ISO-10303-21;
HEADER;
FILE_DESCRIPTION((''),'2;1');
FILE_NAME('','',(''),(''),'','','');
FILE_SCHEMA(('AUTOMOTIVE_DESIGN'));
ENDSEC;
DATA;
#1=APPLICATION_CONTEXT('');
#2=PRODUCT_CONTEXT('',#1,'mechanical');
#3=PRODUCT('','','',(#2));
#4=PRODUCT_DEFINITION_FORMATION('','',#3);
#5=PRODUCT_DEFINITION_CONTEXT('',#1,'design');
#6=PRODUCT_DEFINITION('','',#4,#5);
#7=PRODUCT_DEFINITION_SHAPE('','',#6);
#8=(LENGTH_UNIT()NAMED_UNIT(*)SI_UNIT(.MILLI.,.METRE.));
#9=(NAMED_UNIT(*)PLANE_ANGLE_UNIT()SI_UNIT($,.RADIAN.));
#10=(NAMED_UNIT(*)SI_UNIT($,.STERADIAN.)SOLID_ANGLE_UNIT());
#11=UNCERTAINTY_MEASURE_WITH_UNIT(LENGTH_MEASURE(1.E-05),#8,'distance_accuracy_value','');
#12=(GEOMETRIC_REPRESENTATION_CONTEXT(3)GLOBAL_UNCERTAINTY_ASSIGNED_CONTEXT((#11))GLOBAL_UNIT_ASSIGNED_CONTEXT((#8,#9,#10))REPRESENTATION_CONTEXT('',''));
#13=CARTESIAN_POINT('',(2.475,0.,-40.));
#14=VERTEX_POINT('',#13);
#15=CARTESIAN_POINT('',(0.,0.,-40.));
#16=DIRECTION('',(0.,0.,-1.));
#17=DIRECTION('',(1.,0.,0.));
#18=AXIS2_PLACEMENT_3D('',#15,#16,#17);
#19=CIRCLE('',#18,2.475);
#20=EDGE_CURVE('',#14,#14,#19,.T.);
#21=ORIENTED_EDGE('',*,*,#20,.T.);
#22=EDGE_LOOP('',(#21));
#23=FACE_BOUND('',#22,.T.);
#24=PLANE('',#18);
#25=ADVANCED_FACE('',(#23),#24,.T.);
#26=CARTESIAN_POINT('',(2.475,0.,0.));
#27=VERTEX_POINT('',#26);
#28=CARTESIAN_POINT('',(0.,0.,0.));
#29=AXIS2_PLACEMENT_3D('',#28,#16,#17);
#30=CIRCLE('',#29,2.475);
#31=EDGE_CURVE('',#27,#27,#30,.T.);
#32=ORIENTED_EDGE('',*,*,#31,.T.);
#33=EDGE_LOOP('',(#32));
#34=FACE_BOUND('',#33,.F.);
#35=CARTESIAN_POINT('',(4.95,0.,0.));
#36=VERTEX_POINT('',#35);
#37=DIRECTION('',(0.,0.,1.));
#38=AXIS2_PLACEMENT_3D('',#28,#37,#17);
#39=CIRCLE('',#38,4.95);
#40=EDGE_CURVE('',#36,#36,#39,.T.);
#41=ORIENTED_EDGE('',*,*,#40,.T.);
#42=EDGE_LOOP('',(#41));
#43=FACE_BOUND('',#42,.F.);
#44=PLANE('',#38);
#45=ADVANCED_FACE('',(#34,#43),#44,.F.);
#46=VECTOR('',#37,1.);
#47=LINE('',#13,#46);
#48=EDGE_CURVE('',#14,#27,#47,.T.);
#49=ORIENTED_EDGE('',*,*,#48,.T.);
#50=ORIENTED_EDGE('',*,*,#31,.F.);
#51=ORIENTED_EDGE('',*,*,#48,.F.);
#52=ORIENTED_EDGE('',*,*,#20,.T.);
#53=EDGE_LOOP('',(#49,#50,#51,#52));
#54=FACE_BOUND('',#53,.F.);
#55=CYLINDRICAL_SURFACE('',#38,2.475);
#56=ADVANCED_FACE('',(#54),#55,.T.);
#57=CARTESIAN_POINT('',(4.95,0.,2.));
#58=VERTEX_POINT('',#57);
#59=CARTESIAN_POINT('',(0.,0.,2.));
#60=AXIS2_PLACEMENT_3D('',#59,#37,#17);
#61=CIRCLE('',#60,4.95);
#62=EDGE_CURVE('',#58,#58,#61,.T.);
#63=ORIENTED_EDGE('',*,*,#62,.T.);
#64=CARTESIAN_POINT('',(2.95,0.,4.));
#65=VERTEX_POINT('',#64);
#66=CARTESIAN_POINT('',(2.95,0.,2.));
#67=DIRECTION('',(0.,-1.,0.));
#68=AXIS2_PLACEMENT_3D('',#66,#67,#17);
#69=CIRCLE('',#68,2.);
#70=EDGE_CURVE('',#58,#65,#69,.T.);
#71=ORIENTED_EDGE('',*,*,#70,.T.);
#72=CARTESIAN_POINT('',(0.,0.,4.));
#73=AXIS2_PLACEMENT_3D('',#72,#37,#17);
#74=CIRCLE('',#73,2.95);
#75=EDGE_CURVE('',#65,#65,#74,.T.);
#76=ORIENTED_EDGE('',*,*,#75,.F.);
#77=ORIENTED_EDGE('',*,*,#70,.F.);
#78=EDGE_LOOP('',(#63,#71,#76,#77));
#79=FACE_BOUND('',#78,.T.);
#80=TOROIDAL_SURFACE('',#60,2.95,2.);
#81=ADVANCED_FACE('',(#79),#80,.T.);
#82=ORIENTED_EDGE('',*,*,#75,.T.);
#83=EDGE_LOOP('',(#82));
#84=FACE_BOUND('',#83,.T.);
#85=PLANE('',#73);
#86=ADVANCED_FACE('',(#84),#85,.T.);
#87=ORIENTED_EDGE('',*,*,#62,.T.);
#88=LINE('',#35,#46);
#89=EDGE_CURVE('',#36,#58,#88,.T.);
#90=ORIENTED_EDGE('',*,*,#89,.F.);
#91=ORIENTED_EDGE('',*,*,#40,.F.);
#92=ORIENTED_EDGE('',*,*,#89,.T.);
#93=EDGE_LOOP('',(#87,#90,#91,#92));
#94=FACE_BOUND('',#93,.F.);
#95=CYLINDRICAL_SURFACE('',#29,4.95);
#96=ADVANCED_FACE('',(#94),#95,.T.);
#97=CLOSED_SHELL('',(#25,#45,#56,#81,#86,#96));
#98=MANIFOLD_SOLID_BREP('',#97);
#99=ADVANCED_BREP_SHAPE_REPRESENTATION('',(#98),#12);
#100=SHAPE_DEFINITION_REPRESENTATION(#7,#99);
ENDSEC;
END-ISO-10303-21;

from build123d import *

# Parameters (mm, degrees)
F0_R     = 4.95
F1_DEPTH = 4
F2_R     = 2
F3_R     = 2.475
F4_DEPTH = 25
F5_DEPTH = 40


with BuildPart() as f1:
    # F0 (on Top) → F1 (new body)
    with BuildSketch(Plane.XY):
        Circle(F0_R)
    extrude(amount=F1_DEPTH)

    # F2
    f2_edges = [f1.edges().sort_by_distance(p)[0] for p in [
        (-4.95, 0, 4),
    ]]
    fillet(f2_edges, radius=F2_R)

    # F3 (on face) → F4 (join)
    with BuildSketch(Plane(origin=(0, 0, 0), x_dir=(1, 0, 0), z_dir=(0, 0, -1))):
        Circle(F3_R)
    extrude(amount=F4_DEPTH)

    # F3 (on face) → F5 (join)
    with BuildSketch(Plane(origin=(0, 0, 0), x_dir=(1, 0, 0), z_dir=(0, 0, -1))):
        Circle(F3_R)
    extrude(amount=F5_DEPTH)


solid = f1.part
